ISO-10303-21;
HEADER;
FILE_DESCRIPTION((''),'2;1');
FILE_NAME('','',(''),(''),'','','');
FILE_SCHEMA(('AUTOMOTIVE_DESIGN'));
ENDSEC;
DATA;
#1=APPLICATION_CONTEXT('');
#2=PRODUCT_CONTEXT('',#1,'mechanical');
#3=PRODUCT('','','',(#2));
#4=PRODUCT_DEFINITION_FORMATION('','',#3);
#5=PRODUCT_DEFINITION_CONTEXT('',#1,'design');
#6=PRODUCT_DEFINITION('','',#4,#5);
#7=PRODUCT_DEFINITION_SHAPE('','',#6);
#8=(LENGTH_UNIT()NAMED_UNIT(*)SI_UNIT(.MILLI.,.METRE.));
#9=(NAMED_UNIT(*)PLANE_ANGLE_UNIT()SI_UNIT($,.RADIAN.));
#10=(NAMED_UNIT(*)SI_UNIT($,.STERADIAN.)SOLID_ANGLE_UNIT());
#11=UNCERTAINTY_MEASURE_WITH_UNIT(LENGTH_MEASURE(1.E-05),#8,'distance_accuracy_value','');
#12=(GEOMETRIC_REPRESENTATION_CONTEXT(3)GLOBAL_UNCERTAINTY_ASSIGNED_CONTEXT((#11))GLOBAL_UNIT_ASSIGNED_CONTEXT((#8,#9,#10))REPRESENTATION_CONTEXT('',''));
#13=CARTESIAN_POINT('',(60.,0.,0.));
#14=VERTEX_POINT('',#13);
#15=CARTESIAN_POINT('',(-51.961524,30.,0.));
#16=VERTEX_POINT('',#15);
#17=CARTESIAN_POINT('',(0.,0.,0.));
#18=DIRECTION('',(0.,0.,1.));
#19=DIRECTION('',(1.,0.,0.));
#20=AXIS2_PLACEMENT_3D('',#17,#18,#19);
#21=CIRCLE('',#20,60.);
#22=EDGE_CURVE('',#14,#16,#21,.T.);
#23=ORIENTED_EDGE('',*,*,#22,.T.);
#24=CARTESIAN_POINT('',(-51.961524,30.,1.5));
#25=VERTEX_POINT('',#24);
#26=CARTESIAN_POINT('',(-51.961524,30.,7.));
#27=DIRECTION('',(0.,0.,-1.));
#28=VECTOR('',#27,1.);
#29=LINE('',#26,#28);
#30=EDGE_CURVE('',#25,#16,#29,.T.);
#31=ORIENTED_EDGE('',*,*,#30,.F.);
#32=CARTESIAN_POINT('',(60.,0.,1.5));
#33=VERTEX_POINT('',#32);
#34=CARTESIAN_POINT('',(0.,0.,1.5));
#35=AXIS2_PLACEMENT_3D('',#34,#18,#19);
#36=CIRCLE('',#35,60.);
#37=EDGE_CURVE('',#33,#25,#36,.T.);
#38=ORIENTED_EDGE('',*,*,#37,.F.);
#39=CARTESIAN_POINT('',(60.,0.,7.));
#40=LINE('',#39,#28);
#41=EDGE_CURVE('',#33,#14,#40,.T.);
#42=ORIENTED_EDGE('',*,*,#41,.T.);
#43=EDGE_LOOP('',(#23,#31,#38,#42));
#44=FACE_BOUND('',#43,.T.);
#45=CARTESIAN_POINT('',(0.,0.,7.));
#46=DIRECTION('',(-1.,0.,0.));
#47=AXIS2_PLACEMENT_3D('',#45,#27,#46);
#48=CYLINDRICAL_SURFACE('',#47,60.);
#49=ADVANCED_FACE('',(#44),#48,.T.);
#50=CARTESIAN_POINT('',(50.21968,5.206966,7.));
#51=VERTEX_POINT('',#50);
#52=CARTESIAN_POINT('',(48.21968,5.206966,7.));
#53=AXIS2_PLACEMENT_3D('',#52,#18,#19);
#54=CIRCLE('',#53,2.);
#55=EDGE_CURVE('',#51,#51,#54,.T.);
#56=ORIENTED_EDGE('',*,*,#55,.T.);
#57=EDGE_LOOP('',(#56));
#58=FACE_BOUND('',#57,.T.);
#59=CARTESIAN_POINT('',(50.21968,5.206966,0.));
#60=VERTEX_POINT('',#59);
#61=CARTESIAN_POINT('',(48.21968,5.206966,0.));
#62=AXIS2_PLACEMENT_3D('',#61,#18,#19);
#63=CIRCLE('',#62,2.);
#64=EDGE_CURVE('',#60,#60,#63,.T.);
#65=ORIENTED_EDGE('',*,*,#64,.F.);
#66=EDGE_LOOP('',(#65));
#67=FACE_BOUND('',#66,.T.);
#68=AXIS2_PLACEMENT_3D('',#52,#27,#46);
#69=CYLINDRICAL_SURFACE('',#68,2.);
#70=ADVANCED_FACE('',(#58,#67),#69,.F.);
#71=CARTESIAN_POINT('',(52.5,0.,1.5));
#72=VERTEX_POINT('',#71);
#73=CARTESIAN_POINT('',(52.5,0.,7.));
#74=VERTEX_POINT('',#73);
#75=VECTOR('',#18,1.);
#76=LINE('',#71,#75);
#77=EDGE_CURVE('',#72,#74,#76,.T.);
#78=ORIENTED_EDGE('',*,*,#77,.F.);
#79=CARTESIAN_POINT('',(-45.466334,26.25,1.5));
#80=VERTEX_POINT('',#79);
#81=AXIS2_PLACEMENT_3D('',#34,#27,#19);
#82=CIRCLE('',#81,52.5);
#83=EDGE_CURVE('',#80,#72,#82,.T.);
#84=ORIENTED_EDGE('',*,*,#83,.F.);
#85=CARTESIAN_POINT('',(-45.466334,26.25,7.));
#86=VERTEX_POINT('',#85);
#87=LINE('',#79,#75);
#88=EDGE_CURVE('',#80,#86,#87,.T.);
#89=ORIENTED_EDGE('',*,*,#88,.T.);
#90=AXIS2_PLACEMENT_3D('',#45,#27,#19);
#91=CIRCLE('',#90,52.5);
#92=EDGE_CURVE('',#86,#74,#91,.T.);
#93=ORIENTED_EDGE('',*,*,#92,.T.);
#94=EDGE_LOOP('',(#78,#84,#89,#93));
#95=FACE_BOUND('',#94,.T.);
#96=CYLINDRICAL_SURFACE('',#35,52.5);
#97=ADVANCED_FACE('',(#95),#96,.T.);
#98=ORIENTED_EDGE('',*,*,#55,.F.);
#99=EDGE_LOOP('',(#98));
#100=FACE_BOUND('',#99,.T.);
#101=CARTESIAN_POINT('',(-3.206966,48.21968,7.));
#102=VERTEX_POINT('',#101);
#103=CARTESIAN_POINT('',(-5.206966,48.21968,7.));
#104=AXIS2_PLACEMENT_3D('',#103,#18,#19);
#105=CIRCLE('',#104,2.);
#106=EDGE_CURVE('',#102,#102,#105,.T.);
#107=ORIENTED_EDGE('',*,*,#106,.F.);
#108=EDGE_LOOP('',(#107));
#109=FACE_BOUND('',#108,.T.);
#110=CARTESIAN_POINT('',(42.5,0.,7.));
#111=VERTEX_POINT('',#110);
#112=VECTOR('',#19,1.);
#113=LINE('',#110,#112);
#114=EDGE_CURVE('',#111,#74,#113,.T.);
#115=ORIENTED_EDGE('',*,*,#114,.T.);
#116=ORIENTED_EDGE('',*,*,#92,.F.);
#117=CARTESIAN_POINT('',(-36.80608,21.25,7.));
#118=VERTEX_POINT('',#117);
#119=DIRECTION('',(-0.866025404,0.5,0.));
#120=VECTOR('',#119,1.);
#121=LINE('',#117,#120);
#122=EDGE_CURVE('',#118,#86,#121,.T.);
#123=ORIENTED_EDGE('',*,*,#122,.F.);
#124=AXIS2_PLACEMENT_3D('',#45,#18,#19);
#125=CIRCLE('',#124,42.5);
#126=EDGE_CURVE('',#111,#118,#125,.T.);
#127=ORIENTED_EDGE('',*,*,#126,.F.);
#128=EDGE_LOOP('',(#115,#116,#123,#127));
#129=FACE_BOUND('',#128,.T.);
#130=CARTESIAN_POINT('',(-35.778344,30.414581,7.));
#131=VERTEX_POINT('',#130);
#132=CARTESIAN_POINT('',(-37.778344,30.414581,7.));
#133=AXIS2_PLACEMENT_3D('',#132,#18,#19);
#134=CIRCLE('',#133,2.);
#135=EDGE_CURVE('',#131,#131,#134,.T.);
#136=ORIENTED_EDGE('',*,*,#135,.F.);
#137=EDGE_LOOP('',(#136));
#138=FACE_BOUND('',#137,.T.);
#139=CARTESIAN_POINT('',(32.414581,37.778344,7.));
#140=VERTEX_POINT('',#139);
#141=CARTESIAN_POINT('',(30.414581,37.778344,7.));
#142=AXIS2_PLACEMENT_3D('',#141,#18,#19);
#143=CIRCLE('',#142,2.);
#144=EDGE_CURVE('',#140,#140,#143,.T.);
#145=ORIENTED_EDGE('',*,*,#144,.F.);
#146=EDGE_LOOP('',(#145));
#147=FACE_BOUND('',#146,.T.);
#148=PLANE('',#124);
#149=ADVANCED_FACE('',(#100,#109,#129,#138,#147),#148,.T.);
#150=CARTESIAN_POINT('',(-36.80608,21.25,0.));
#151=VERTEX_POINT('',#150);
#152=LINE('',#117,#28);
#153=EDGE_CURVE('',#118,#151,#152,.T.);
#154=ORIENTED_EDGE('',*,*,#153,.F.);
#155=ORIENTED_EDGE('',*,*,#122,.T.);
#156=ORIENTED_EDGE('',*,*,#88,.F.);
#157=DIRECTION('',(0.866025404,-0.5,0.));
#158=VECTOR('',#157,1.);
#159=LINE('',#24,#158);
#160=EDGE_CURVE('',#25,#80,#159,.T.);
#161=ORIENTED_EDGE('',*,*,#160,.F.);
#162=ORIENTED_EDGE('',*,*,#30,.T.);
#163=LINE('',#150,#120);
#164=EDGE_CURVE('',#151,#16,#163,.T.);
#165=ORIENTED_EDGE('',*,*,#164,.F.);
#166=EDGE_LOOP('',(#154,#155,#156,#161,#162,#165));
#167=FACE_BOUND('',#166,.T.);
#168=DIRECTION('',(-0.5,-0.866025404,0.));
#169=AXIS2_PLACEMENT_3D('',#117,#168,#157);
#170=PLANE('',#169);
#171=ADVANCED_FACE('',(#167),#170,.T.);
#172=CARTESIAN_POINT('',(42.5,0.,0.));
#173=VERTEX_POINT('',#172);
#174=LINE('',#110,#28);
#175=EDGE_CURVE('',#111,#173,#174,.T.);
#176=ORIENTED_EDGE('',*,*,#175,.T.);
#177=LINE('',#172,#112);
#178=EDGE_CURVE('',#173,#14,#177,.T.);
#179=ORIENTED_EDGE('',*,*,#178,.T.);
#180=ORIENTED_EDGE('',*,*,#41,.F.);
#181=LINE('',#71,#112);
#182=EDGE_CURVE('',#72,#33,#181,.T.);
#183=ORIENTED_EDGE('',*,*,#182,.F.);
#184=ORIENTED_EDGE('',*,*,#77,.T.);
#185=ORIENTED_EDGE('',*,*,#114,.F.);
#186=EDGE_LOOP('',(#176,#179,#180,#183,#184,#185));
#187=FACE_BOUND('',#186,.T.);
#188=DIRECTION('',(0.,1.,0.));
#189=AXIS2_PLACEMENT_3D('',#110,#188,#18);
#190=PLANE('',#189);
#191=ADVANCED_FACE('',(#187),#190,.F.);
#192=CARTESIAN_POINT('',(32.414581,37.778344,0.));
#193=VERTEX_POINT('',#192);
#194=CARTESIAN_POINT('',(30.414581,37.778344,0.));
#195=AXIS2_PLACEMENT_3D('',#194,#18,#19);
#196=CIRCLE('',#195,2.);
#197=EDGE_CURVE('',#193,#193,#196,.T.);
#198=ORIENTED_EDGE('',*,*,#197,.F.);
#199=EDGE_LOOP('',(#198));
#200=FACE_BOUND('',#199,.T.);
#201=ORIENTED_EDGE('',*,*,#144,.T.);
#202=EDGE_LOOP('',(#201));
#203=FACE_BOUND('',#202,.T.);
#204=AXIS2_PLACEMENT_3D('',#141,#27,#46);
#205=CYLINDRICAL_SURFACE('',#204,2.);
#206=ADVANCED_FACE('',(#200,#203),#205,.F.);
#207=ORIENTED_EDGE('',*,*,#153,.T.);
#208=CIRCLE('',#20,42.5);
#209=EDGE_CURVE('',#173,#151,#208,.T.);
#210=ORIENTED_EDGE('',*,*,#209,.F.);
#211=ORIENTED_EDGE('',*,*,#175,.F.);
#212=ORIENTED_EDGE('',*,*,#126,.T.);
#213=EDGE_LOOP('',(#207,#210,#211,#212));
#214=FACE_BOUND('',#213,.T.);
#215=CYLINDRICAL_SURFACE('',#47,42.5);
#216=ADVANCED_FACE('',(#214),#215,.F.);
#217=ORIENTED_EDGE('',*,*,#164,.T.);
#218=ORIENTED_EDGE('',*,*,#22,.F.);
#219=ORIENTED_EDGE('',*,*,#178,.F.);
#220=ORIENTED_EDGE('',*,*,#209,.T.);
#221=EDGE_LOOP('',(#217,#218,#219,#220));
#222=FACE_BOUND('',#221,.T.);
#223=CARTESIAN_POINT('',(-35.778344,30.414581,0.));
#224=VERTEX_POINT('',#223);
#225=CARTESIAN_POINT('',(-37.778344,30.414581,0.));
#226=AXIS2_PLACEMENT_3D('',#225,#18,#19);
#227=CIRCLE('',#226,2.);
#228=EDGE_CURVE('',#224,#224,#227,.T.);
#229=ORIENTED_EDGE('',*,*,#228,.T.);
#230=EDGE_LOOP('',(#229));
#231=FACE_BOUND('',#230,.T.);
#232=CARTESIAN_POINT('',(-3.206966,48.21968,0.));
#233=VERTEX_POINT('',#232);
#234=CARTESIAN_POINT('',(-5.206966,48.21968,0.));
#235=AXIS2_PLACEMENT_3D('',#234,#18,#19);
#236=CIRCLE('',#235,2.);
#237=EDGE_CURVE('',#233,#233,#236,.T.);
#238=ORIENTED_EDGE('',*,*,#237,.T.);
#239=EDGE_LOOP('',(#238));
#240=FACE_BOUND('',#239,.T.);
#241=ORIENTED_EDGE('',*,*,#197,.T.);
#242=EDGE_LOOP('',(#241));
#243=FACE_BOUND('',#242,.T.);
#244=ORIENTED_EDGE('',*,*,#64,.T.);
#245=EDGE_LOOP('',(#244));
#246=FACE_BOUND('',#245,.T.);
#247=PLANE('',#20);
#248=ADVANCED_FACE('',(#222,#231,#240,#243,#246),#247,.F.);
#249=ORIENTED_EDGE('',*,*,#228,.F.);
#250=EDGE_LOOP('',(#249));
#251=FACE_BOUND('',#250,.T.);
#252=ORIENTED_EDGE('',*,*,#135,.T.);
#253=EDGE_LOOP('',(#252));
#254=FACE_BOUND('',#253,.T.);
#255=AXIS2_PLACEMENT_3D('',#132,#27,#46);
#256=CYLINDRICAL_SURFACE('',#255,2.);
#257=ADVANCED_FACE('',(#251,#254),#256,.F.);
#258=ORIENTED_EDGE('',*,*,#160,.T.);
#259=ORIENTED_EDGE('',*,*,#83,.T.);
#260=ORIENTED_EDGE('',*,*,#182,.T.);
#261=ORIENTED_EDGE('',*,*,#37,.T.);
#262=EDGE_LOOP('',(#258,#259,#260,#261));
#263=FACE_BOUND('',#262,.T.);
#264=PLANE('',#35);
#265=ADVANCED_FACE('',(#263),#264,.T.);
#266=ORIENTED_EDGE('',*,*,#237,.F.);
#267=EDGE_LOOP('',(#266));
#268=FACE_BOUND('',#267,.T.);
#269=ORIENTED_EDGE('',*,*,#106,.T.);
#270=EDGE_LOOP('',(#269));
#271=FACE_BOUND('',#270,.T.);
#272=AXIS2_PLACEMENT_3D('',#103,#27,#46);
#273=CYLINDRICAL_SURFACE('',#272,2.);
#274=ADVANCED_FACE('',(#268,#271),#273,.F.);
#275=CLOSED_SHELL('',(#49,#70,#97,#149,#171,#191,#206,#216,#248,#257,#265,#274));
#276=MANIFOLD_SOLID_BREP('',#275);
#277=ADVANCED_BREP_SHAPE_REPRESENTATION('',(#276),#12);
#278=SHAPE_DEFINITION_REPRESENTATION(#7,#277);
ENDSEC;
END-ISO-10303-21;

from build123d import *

# Parameters (mm, degrees)
SKETCH_1_R          = 2
EXTRUDE_1_DEPTH     = 7
CUT_EXTRUDE_START   = -5.5
CUT_EXTRUDE_1_DEPTH = 5.5


with BuildPart() as part:
    # 草图1 → 凸台-拉伸1 (new body)
    with BuildSketch(Plane.XY):
        with BuildLine():
            Line((42.5, 0), (60, 0))
            ThreePointArc((60, 0), (15.529142706, 57.955549577), (-51.961524227, 30))
            Line((-51.961524227, 30), (-36.806079661, 21.25))
            ThreePointArc((-36.806079661, 21.25), (10.999809417, 41.051847617), (42.5, 0))
        make_face()
        with Locations((48.219679614, 5.206966288)):
            Circle(SKETCH_1_R, mode=Mode.SUBTRACT)
        with Locations((-37.778343613, 30.41458127)):
            Circle(SKETCH_1_R, mode=Mode.SUBTRACT)
        with Locations((-5.206966288, 48.219679614)):
            Circle(SKETCH_1_R, mode=Mode.SUBTRACT)
        with Locations((30.41458127, 37.778343613)):
            Circle(SKETCH_1_R, mode=Mode.SUBTRACT)
    extrude(amount=EXTRUDE_1_DEPTH)

    # 草图2 → 切除-拉伸1 (cut)
    with BuildSketch(Plane.XY.offset(7).offset(CUT_EXTRUDE_START)):
        with BuildLine():
            Line((52.5, 0), (60, 0))
            ThreePointArc((60, 0), (15.529142706, 57.955549577), (-51.961524227, 30))
            Line((-51.961524227, 30), (-45.466333699, 26.25))
            ThreePointArc((-45.466333699, 26.25), (13.587999868, 50.71110588), (52.5, 0))
        make_face()
    extrude(amount=CUT_EXTRUDE_1_DEPTH, mode=Mode.SUBTRACT)


solid = part.part
